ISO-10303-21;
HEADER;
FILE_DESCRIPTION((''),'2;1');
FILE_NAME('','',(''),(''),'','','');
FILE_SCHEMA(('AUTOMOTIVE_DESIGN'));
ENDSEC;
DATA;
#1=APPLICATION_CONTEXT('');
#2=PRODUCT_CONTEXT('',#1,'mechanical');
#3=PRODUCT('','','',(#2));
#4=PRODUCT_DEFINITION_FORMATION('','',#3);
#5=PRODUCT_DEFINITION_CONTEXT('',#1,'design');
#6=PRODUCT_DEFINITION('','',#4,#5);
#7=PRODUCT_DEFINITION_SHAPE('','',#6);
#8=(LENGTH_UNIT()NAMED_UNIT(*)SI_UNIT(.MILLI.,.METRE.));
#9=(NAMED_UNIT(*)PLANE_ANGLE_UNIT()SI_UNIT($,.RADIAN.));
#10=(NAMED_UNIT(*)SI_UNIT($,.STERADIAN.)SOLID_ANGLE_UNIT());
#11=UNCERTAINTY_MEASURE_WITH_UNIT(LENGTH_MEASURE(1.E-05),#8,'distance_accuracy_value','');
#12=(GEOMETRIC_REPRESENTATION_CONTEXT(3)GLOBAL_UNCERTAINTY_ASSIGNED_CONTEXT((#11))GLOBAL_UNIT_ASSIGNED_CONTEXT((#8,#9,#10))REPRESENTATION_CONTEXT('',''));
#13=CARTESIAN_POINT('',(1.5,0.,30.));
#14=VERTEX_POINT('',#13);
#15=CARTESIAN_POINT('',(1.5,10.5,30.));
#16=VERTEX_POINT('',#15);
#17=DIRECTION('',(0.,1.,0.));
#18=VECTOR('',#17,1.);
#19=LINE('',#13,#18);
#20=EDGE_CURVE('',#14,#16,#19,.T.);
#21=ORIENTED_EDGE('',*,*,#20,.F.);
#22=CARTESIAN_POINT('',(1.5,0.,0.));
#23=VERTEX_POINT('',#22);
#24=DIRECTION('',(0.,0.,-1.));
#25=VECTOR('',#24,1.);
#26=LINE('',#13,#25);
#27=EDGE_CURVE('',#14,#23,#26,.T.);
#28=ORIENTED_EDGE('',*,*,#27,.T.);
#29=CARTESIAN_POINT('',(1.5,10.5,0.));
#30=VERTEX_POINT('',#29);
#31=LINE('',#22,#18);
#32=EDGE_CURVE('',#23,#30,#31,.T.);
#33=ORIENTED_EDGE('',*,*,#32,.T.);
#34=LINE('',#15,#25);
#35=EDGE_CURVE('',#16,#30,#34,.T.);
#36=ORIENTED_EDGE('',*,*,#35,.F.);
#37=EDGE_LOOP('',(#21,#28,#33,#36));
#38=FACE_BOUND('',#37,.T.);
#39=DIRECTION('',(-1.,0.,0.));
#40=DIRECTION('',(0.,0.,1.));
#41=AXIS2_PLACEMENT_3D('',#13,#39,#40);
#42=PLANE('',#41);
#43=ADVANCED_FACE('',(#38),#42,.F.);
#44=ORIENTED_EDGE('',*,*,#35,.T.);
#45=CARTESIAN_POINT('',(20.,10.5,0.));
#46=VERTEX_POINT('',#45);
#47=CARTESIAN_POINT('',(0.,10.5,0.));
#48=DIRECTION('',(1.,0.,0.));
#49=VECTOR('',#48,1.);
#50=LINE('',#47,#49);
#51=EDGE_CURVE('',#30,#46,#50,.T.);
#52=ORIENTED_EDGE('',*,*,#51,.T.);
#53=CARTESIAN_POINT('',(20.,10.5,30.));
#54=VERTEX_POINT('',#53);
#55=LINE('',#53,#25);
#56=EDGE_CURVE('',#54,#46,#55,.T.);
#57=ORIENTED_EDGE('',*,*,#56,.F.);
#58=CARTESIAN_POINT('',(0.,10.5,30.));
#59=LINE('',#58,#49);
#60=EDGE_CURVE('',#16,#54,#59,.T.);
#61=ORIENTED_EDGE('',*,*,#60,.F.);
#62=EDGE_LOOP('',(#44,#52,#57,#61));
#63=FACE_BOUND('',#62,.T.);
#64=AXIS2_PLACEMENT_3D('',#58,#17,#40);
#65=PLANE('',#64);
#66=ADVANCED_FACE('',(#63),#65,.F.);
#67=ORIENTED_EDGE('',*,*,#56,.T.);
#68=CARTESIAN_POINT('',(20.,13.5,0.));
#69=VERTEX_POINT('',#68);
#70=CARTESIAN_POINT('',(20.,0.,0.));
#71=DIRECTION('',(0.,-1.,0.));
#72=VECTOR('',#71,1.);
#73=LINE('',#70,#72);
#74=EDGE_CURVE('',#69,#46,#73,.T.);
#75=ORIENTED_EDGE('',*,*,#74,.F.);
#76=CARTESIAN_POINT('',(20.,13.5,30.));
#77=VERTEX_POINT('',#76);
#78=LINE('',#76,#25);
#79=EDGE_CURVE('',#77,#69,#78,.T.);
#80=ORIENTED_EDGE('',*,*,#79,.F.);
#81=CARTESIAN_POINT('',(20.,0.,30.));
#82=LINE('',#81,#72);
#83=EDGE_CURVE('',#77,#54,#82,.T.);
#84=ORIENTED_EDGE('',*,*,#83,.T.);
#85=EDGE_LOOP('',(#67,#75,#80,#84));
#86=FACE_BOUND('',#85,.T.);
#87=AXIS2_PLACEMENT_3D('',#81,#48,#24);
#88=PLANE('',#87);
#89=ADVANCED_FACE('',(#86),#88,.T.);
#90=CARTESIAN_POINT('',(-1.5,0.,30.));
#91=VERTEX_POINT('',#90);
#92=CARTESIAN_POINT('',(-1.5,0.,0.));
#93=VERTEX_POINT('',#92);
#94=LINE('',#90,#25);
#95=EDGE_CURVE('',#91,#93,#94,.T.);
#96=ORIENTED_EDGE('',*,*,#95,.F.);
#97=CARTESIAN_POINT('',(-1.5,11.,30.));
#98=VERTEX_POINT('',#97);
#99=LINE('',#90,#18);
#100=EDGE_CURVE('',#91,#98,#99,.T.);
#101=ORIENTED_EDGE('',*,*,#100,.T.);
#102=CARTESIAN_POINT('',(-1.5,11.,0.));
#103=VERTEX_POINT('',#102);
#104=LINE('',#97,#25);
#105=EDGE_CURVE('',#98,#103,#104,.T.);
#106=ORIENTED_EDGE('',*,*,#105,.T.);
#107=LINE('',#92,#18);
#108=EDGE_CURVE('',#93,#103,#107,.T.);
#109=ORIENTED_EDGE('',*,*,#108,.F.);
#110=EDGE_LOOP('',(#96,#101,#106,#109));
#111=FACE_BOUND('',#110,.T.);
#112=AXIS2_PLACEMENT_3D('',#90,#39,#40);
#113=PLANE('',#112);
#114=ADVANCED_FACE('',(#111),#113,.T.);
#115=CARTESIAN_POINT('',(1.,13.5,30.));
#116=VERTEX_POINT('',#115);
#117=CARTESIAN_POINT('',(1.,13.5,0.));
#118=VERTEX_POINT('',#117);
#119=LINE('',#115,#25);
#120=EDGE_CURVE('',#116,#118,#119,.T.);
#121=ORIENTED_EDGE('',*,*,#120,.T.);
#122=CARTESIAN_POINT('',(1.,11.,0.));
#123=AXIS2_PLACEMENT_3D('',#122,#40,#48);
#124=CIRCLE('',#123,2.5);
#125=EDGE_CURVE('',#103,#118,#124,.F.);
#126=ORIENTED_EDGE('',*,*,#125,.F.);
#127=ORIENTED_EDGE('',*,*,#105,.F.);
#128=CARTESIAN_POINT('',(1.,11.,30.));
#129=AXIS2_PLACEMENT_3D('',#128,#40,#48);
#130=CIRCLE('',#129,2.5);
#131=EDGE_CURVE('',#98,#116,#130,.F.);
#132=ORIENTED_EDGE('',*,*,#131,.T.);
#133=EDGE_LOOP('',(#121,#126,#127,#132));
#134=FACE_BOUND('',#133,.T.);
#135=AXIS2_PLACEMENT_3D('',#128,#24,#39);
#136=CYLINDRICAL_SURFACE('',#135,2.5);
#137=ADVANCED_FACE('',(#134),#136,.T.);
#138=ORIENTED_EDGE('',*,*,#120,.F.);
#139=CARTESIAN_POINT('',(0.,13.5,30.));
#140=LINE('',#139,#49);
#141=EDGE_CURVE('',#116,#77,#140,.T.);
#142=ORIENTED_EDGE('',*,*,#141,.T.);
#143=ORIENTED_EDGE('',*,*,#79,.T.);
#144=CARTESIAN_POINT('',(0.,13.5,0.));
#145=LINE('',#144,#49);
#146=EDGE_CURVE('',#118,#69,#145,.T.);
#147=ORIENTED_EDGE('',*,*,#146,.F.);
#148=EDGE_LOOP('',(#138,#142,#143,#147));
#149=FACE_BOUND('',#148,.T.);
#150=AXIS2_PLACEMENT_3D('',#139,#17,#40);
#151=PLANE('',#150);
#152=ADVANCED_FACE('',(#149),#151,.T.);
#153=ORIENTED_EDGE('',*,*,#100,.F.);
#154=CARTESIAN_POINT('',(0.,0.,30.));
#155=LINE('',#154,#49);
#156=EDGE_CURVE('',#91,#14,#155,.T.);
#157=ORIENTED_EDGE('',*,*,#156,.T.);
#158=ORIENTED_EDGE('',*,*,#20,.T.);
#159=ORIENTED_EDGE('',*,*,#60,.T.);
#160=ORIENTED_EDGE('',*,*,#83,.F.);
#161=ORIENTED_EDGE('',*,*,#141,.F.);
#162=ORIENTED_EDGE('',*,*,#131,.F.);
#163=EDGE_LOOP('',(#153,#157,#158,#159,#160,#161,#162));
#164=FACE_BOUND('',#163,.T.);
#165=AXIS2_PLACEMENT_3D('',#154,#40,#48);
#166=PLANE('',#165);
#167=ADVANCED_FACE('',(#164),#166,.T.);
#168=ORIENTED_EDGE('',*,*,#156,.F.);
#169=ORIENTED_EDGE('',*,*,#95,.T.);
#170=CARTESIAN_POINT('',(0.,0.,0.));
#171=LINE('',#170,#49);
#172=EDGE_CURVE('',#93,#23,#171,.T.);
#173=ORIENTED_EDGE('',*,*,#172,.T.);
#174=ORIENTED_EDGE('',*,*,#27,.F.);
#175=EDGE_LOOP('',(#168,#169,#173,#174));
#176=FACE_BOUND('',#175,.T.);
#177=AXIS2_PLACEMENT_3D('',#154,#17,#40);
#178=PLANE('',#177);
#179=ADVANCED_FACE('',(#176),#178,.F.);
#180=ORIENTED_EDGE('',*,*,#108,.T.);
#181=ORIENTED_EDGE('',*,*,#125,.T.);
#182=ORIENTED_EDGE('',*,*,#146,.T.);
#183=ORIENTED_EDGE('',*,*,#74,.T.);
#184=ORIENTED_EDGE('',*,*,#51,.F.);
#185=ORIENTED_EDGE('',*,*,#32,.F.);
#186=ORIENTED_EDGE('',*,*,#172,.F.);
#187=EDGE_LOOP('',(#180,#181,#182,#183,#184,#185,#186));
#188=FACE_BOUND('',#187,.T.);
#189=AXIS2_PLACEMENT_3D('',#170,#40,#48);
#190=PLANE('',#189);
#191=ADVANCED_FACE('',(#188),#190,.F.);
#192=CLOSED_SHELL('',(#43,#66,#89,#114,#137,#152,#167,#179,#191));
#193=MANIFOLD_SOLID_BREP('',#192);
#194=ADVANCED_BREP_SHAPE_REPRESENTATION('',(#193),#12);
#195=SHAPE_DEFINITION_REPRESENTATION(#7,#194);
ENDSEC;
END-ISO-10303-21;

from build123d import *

# Parameters (mm, degrees)
BOSS_EXTRUDE1_DEPTH = 30


with BuildPart() as part:
    # Sketch1 → Boss-Extrude1 (new body)
    with BuildSketch(Plane.XY):
        with BuildLine():
            Line((0, 11), (0, 0))
            Line((0, 0), (1.5, 0))
            Line((1.5, 0), (1.5, 10.5))
            Line((1.5, 10.5), (20, 10.5))
            Line((20, 10.5), (20, 12))
            Line((20, 12), (1, 12))
            ThreePointArc((1, 12), (0.292893219, 11.707106781), (0, 11))
        make_face()
        with BuildLine():
            Line((-1.5, 0), (0, 0))
            Line((0, 0), (0, 11))
            ThreePointArc((0, 11), (0.292893219, 11.707106781), (1, 12))
            Line((1, 12), (20, 12))
            Line((20, 12), (20, 13.5))
            Line((20, 13.5), (1, 13.5))
            ThreePointArc((1, 13.5), (-0.767766953, 12.767766953), (-1.5, 11))
            Line((-1.5, 11), (-1.5, 0))
        make_face()
    extrude(amount=BOSS_EXTRUDE1_DEPTH)


solid = part.part
